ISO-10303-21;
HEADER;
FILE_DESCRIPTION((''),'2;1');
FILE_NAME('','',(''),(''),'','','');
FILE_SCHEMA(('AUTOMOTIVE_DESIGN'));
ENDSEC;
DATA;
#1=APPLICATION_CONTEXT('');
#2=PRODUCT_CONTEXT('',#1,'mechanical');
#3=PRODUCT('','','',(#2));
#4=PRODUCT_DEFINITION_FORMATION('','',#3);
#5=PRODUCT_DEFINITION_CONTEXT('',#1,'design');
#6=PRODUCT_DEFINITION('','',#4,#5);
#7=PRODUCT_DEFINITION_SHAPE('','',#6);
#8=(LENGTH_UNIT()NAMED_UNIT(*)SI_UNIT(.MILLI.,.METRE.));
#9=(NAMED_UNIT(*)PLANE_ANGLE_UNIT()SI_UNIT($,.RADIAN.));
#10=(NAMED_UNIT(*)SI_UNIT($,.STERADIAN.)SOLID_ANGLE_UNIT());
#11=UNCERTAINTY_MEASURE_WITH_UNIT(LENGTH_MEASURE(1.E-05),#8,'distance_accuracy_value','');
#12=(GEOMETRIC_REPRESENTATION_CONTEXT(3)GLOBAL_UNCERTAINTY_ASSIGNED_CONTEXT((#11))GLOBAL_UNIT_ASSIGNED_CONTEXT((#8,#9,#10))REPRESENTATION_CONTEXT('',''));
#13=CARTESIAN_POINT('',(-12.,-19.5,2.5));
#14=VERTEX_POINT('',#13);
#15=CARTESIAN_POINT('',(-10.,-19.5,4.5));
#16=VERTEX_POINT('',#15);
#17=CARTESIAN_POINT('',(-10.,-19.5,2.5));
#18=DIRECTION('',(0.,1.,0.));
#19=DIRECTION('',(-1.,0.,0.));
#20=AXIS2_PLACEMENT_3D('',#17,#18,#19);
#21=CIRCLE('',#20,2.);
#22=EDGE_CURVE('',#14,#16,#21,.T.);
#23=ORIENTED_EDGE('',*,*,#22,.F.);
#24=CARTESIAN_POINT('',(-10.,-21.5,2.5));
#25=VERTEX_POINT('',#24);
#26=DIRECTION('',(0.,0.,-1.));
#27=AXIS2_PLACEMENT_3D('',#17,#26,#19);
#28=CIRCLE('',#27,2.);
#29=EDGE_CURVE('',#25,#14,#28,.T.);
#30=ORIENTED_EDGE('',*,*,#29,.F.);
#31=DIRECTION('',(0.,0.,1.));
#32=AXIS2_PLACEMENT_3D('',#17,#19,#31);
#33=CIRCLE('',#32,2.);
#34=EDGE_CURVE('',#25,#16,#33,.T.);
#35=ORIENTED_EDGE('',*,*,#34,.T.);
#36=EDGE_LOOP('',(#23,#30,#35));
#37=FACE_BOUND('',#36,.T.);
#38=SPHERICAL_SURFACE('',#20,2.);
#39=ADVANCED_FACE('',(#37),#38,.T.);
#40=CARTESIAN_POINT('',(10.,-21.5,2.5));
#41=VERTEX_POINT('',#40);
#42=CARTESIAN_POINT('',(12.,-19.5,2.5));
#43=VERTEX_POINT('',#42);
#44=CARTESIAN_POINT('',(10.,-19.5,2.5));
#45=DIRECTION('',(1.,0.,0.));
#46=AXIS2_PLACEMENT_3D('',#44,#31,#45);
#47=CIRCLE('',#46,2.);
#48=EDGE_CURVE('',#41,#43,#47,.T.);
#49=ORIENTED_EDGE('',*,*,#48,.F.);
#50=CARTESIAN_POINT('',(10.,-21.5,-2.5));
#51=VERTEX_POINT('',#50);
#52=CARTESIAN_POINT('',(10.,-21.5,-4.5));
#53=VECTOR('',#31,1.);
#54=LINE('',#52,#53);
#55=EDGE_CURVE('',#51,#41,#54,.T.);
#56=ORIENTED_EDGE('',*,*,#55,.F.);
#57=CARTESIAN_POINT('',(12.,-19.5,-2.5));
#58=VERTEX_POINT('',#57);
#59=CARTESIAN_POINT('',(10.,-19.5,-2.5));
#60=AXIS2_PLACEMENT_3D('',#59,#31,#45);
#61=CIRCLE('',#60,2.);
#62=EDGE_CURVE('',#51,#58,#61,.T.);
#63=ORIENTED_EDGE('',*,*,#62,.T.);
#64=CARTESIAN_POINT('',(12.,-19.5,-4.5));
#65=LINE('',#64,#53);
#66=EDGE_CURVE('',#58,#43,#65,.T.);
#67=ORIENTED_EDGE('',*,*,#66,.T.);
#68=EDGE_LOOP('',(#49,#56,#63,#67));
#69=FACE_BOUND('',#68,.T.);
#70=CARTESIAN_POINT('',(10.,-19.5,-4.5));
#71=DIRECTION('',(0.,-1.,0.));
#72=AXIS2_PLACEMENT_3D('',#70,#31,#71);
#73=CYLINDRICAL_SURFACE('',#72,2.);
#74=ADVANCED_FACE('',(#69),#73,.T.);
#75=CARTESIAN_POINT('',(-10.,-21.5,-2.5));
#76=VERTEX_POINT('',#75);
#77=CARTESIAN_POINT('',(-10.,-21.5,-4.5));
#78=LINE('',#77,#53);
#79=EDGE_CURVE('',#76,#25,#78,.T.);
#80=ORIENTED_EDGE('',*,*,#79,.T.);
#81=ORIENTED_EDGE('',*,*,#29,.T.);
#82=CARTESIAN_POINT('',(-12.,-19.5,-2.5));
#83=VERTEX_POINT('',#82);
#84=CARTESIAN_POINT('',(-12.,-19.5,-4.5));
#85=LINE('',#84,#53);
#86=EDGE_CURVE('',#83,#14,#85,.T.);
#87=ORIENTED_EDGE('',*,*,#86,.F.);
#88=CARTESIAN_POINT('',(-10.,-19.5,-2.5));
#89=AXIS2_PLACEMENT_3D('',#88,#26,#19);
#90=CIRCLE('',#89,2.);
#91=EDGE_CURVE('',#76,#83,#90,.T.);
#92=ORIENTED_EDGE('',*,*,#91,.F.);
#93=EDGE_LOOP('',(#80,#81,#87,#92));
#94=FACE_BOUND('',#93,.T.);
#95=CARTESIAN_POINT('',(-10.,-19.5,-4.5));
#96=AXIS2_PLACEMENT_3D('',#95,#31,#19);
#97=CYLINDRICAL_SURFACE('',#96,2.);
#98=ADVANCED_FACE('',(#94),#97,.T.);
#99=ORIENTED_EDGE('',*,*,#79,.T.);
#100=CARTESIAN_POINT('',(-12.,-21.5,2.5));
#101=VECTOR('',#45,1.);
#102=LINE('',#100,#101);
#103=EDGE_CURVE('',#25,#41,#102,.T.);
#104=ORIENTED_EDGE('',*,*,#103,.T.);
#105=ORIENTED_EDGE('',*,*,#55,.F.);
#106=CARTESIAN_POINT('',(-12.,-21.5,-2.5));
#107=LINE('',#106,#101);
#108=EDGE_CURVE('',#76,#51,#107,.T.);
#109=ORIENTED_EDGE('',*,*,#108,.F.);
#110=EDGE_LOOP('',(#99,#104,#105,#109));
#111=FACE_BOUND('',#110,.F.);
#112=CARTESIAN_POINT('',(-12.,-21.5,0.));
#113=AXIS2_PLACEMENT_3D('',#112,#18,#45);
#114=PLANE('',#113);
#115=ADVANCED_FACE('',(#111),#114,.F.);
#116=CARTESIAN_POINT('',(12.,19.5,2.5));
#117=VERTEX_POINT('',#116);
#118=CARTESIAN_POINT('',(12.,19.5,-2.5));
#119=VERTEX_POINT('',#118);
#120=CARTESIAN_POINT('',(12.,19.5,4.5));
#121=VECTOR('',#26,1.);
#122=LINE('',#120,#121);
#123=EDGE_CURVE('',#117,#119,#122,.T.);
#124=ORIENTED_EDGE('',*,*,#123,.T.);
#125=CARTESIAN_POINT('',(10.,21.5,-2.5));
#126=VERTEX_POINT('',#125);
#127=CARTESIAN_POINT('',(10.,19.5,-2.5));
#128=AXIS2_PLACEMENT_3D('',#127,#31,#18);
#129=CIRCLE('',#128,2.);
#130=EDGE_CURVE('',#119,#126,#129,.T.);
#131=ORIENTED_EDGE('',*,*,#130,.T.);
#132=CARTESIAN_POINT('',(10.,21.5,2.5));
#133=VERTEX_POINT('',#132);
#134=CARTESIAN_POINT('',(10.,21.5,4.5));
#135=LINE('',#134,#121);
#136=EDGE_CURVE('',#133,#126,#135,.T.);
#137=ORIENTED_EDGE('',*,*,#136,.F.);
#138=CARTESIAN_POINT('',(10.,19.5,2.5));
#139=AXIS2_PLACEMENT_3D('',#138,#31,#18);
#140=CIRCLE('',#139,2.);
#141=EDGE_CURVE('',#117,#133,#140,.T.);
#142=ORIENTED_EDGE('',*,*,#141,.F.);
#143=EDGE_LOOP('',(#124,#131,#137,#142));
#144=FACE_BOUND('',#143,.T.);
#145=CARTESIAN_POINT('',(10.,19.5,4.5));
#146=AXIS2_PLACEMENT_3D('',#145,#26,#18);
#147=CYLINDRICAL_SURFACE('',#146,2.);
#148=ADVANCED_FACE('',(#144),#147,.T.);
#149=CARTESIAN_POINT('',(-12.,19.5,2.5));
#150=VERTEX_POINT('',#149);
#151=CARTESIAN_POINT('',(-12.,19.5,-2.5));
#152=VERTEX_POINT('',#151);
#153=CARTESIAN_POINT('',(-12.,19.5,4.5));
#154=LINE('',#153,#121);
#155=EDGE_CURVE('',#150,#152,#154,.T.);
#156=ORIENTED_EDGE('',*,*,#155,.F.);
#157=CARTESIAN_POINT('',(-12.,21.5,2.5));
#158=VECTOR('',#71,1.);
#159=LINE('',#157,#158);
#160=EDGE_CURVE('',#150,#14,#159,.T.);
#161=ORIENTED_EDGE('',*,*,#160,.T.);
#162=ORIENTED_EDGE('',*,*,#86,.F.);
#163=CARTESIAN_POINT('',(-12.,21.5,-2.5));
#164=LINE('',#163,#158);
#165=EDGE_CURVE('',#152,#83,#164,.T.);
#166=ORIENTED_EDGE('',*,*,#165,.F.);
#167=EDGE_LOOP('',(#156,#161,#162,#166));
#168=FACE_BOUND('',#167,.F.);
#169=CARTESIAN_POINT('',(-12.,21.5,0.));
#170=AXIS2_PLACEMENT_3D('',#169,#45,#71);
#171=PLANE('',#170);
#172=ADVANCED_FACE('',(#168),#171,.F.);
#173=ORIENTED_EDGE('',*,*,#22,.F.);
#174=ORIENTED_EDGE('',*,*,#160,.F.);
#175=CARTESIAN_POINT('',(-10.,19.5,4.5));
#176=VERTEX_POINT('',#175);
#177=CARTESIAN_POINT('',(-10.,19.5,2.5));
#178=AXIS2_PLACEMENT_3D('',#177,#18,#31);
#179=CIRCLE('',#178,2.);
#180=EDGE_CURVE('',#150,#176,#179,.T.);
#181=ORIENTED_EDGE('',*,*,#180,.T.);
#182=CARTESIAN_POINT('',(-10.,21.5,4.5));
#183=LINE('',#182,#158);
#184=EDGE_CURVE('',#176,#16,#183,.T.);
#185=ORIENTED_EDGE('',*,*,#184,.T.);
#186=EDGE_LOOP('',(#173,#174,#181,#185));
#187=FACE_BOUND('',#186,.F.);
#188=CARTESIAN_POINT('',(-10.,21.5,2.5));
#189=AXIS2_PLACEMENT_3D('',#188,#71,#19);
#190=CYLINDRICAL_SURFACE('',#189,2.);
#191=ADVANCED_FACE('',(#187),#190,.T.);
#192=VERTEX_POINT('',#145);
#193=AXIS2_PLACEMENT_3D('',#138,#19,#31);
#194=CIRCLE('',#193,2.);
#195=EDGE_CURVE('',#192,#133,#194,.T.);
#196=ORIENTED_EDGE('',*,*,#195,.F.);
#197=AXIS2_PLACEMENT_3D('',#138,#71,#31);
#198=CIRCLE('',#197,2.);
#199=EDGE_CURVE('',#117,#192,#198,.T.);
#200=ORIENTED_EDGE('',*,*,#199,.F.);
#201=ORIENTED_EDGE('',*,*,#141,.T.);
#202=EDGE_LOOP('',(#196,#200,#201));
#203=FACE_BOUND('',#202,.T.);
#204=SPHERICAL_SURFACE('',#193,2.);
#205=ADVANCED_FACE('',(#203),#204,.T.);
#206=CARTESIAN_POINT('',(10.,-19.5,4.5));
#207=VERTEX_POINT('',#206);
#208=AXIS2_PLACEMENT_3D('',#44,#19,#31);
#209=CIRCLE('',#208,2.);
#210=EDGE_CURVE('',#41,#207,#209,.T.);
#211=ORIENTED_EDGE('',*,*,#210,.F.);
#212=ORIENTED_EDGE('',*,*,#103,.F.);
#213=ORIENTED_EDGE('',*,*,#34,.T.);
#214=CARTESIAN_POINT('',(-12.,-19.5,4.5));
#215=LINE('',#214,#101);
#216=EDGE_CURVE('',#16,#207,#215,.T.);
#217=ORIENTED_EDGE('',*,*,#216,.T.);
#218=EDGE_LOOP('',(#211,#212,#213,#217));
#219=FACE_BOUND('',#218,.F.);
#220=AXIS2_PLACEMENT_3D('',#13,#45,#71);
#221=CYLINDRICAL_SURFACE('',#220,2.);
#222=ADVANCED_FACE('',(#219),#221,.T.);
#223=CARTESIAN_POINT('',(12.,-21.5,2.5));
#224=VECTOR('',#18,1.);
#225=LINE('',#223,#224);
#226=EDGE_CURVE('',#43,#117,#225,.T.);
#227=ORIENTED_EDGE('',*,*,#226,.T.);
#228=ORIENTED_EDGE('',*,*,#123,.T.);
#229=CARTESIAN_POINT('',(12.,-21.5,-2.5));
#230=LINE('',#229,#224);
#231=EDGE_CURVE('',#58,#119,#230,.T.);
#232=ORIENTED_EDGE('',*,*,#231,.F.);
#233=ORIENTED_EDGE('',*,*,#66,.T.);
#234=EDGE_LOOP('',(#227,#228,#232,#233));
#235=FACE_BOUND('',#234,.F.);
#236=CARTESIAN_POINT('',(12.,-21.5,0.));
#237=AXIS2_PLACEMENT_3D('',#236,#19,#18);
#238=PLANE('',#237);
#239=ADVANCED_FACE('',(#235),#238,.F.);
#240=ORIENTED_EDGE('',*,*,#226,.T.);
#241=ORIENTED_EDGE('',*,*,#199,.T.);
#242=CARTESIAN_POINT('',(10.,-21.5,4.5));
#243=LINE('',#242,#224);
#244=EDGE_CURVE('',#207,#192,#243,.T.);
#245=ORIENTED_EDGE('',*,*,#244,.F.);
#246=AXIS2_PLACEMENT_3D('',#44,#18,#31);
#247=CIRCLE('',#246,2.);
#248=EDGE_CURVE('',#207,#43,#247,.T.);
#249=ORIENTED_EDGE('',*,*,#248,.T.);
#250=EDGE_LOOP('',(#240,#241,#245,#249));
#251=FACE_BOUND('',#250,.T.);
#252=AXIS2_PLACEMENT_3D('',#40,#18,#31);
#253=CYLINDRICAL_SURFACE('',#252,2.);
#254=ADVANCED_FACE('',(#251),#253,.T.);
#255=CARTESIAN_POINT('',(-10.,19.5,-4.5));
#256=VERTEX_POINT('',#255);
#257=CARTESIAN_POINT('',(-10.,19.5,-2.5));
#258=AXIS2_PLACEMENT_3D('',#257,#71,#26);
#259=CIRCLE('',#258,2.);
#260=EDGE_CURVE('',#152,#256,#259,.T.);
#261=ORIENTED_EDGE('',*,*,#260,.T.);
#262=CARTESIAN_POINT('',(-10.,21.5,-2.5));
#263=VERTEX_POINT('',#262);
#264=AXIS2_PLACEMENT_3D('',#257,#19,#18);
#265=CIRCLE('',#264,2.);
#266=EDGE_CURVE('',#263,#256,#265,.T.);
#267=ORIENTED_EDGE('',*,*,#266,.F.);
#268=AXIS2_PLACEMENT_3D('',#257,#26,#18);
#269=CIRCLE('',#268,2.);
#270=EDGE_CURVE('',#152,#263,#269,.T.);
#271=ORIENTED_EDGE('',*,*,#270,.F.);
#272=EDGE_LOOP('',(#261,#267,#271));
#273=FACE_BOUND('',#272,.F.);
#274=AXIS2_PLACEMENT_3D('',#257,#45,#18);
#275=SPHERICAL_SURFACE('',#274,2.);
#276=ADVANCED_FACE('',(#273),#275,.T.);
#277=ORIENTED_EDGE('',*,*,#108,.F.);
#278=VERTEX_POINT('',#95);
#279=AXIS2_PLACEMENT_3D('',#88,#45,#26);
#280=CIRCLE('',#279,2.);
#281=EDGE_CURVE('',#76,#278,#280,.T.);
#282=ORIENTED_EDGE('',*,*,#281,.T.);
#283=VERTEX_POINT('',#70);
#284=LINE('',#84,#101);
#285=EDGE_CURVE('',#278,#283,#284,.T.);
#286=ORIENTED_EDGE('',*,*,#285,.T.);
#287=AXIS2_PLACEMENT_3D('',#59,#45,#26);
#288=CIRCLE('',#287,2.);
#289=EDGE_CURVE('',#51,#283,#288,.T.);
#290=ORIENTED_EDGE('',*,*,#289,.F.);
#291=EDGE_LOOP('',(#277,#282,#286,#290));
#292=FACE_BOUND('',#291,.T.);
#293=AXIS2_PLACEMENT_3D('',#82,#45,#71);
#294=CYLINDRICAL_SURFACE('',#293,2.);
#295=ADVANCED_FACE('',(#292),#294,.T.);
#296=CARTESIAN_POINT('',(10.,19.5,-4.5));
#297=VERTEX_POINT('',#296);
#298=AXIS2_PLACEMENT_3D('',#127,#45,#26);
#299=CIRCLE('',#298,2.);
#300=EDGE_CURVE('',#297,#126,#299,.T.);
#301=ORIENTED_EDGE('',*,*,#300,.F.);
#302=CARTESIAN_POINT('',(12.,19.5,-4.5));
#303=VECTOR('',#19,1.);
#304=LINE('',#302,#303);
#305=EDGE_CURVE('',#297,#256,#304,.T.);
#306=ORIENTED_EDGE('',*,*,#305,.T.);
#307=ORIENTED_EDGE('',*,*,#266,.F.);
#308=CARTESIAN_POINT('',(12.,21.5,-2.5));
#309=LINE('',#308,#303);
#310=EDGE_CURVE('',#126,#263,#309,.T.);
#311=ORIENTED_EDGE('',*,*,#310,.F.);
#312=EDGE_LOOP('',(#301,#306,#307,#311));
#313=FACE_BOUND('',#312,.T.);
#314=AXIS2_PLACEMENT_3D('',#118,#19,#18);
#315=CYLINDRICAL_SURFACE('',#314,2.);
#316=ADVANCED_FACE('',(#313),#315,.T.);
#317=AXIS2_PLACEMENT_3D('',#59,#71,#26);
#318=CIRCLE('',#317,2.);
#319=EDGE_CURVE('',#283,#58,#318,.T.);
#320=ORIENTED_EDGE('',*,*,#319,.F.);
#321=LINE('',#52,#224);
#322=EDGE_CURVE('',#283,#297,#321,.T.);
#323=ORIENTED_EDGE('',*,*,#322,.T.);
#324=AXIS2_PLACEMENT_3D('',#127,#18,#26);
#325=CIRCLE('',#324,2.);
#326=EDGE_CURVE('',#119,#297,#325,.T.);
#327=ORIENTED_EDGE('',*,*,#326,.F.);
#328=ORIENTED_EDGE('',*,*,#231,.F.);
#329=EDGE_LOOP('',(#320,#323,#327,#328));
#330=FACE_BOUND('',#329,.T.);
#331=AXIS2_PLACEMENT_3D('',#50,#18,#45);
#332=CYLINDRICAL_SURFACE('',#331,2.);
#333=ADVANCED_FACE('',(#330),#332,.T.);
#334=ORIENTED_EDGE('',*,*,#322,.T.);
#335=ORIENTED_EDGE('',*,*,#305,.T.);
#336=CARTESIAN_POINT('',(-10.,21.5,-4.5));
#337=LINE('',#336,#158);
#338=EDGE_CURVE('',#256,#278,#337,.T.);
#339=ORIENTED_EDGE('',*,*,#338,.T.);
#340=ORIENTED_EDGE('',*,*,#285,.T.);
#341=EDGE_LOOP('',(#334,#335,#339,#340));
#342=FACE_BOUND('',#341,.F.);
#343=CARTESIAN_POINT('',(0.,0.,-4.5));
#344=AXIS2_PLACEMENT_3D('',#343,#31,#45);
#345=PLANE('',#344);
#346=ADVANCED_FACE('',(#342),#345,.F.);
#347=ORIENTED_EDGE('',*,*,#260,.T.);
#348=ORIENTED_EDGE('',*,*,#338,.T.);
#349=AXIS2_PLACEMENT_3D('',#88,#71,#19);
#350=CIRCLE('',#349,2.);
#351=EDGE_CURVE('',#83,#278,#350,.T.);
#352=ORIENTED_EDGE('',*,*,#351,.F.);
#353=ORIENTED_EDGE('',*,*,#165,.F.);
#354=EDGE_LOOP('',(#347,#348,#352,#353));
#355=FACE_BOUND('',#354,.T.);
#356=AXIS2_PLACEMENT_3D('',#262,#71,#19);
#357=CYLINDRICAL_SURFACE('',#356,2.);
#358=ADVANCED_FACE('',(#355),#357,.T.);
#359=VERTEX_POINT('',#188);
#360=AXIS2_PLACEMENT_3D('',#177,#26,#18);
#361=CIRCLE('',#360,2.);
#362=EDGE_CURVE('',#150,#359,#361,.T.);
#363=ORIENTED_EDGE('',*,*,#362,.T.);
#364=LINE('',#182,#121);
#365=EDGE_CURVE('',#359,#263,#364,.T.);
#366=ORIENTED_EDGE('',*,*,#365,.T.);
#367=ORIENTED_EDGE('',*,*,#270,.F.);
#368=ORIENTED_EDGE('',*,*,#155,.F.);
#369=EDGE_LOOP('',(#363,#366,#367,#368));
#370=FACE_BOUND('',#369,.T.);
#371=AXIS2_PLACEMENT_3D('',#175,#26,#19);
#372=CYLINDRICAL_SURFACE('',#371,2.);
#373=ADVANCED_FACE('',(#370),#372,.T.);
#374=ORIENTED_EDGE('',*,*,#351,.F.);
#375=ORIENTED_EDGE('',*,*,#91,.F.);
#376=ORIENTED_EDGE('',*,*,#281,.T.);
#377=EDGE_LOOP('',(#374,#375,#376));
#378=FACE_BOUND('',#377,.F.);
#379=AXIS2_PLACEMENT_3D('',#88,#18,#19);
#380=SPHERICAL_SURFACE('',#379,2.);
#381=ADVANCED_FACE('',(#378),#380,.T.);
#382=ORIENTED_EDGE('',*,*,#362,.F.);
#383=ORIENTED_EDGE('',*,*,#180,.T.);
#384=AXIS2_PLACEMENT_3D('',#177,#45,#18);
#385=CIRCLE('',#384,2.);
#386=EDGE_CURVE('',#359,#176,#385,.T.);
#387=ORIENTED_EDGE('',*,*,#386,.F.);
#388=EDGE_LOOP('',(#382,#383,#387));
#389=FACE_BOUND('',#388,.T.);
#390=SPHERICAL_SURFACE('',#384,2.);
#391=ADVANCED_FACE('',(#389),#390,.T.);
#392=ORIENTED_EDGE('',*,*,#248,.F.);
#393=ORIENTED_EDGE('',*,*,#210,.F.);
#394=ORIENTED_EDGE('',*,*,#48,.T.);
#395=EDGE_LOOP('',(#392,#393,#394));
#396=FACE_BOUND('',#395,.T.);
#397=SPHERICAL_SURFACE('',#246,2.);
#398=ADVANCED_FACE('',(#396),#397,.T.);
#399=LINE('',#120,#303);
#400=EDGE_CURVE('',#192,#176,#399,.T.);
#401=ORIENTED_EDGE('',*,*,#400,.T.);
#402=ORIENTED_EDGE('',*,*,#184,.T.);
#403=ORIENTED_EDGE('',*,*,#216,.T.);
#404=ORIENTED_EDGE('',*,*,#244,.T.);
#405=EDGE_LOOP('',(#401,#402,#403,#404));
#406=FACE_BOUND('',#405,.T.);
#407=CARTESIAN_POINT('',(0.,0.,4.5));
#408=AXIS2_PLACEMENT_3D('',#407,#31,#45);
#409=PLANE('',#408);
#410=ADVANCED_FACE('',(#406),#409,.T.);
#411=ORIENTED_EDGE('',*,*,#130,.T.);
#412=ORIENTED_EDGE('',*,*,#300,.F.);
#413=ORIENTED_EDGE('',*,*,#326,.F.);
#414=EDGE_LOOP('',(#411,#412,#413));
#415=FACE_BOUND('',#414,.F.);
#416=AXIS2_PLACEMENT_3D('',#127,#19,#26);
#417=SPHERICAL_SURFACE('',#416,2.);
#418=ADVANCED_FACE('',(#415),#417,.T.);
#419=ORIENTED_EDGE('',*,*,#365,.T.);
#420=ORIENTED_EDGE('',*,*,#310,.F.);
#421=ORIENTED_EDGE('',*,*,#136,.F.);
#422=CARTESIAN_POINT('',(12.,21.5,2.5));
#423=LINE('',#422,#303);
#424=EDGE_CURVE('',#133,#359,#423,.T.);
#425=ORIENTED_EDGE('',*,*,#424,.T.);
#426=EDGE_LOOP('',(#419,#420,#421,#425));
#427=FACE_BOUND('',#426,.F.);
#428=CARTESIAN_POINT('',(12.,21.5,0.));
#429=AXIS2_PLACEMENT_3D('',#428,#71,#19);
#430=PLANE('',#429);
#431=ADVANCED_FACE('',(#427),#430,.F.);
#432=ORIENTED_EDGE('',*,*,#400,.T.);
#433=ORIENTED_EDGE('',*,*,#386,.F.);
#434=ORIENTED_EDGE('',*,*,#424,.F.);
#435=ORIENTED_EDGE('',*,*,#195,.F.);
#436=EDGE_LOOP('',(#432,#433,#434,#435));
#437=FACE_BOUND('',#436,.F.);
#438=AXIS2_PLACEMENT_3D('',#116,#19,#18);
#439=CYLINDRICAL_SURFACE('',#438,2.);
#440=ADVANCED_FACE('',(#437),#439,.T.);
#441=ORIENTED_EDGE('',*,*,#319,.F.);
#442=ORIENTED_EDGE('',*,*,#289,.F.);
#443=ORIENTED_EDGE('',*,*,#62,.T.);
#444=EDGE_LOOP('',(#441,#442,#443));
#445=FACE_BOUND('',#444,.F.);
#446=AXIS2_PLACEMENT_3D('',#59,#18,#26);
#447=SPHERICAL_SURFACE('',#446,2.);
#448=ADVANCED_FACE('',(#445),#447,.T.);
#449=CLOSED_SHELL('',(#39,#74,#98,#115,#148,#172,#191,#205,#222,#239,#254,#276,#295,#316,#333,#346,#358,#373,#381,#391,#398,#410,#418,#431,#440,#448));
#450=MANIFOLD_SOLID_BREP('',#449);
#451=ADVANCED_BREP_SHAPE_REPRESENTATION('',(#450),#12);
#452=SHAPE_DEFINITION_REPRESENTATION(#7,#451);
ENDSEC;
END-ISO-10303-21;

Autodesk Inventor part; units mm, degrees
ref_plane "YZ Plane" through (0, 0, 0) normal (1, 0, 0) x (0, 1, 0)
ref_plane "XZ Plane" through (0, 0, 0) normal (0, 1, 0) x (-1, 0, 0)
ref_plane "XY Plane" through (0, 0, 0) normal (0, 0, 1) x (1, 0, 0)
sketch "Sketch1" plane through (0, 0, 0) normal (0, 0, 1) x (1, 0, 0)
  line L0 (-12, -21.5) -> (12, -21.5)
  line L1 (12, -21.5) -> (12, 21.5)
  line L2 (12, 21.5) -> (-12, 21.5)
  line L3 (-12, 21.5) -> (-12, -21.5)
  line L4 (-12, -21.5) -> (12, 21.5) construction
  line L5 (12, -21.5) -> (-12, 21.5) construction
  point P0 (0, 0)
  dimension "d0" = 24
  dimension "d1" = 43
extrude "Extrusion1" add sketch "Sketch1" along normal mid plane 9
fillet "Fillet1" radius 2 12 edges at (0, 21.5, 4.5) (0, 21.5, -4.5) (12, 0, 4.5) (12, 0, -4.5) (12, 21.5, 0) (-12, 21.5, 0) (-12, 0, 4.5) (-12, 0, -4.5) (-12, -21.5, 0) (0, -21.5, 4.5) (0, -21.5, -4.5) (12, -21.5, 0)
properties part number "battery"
